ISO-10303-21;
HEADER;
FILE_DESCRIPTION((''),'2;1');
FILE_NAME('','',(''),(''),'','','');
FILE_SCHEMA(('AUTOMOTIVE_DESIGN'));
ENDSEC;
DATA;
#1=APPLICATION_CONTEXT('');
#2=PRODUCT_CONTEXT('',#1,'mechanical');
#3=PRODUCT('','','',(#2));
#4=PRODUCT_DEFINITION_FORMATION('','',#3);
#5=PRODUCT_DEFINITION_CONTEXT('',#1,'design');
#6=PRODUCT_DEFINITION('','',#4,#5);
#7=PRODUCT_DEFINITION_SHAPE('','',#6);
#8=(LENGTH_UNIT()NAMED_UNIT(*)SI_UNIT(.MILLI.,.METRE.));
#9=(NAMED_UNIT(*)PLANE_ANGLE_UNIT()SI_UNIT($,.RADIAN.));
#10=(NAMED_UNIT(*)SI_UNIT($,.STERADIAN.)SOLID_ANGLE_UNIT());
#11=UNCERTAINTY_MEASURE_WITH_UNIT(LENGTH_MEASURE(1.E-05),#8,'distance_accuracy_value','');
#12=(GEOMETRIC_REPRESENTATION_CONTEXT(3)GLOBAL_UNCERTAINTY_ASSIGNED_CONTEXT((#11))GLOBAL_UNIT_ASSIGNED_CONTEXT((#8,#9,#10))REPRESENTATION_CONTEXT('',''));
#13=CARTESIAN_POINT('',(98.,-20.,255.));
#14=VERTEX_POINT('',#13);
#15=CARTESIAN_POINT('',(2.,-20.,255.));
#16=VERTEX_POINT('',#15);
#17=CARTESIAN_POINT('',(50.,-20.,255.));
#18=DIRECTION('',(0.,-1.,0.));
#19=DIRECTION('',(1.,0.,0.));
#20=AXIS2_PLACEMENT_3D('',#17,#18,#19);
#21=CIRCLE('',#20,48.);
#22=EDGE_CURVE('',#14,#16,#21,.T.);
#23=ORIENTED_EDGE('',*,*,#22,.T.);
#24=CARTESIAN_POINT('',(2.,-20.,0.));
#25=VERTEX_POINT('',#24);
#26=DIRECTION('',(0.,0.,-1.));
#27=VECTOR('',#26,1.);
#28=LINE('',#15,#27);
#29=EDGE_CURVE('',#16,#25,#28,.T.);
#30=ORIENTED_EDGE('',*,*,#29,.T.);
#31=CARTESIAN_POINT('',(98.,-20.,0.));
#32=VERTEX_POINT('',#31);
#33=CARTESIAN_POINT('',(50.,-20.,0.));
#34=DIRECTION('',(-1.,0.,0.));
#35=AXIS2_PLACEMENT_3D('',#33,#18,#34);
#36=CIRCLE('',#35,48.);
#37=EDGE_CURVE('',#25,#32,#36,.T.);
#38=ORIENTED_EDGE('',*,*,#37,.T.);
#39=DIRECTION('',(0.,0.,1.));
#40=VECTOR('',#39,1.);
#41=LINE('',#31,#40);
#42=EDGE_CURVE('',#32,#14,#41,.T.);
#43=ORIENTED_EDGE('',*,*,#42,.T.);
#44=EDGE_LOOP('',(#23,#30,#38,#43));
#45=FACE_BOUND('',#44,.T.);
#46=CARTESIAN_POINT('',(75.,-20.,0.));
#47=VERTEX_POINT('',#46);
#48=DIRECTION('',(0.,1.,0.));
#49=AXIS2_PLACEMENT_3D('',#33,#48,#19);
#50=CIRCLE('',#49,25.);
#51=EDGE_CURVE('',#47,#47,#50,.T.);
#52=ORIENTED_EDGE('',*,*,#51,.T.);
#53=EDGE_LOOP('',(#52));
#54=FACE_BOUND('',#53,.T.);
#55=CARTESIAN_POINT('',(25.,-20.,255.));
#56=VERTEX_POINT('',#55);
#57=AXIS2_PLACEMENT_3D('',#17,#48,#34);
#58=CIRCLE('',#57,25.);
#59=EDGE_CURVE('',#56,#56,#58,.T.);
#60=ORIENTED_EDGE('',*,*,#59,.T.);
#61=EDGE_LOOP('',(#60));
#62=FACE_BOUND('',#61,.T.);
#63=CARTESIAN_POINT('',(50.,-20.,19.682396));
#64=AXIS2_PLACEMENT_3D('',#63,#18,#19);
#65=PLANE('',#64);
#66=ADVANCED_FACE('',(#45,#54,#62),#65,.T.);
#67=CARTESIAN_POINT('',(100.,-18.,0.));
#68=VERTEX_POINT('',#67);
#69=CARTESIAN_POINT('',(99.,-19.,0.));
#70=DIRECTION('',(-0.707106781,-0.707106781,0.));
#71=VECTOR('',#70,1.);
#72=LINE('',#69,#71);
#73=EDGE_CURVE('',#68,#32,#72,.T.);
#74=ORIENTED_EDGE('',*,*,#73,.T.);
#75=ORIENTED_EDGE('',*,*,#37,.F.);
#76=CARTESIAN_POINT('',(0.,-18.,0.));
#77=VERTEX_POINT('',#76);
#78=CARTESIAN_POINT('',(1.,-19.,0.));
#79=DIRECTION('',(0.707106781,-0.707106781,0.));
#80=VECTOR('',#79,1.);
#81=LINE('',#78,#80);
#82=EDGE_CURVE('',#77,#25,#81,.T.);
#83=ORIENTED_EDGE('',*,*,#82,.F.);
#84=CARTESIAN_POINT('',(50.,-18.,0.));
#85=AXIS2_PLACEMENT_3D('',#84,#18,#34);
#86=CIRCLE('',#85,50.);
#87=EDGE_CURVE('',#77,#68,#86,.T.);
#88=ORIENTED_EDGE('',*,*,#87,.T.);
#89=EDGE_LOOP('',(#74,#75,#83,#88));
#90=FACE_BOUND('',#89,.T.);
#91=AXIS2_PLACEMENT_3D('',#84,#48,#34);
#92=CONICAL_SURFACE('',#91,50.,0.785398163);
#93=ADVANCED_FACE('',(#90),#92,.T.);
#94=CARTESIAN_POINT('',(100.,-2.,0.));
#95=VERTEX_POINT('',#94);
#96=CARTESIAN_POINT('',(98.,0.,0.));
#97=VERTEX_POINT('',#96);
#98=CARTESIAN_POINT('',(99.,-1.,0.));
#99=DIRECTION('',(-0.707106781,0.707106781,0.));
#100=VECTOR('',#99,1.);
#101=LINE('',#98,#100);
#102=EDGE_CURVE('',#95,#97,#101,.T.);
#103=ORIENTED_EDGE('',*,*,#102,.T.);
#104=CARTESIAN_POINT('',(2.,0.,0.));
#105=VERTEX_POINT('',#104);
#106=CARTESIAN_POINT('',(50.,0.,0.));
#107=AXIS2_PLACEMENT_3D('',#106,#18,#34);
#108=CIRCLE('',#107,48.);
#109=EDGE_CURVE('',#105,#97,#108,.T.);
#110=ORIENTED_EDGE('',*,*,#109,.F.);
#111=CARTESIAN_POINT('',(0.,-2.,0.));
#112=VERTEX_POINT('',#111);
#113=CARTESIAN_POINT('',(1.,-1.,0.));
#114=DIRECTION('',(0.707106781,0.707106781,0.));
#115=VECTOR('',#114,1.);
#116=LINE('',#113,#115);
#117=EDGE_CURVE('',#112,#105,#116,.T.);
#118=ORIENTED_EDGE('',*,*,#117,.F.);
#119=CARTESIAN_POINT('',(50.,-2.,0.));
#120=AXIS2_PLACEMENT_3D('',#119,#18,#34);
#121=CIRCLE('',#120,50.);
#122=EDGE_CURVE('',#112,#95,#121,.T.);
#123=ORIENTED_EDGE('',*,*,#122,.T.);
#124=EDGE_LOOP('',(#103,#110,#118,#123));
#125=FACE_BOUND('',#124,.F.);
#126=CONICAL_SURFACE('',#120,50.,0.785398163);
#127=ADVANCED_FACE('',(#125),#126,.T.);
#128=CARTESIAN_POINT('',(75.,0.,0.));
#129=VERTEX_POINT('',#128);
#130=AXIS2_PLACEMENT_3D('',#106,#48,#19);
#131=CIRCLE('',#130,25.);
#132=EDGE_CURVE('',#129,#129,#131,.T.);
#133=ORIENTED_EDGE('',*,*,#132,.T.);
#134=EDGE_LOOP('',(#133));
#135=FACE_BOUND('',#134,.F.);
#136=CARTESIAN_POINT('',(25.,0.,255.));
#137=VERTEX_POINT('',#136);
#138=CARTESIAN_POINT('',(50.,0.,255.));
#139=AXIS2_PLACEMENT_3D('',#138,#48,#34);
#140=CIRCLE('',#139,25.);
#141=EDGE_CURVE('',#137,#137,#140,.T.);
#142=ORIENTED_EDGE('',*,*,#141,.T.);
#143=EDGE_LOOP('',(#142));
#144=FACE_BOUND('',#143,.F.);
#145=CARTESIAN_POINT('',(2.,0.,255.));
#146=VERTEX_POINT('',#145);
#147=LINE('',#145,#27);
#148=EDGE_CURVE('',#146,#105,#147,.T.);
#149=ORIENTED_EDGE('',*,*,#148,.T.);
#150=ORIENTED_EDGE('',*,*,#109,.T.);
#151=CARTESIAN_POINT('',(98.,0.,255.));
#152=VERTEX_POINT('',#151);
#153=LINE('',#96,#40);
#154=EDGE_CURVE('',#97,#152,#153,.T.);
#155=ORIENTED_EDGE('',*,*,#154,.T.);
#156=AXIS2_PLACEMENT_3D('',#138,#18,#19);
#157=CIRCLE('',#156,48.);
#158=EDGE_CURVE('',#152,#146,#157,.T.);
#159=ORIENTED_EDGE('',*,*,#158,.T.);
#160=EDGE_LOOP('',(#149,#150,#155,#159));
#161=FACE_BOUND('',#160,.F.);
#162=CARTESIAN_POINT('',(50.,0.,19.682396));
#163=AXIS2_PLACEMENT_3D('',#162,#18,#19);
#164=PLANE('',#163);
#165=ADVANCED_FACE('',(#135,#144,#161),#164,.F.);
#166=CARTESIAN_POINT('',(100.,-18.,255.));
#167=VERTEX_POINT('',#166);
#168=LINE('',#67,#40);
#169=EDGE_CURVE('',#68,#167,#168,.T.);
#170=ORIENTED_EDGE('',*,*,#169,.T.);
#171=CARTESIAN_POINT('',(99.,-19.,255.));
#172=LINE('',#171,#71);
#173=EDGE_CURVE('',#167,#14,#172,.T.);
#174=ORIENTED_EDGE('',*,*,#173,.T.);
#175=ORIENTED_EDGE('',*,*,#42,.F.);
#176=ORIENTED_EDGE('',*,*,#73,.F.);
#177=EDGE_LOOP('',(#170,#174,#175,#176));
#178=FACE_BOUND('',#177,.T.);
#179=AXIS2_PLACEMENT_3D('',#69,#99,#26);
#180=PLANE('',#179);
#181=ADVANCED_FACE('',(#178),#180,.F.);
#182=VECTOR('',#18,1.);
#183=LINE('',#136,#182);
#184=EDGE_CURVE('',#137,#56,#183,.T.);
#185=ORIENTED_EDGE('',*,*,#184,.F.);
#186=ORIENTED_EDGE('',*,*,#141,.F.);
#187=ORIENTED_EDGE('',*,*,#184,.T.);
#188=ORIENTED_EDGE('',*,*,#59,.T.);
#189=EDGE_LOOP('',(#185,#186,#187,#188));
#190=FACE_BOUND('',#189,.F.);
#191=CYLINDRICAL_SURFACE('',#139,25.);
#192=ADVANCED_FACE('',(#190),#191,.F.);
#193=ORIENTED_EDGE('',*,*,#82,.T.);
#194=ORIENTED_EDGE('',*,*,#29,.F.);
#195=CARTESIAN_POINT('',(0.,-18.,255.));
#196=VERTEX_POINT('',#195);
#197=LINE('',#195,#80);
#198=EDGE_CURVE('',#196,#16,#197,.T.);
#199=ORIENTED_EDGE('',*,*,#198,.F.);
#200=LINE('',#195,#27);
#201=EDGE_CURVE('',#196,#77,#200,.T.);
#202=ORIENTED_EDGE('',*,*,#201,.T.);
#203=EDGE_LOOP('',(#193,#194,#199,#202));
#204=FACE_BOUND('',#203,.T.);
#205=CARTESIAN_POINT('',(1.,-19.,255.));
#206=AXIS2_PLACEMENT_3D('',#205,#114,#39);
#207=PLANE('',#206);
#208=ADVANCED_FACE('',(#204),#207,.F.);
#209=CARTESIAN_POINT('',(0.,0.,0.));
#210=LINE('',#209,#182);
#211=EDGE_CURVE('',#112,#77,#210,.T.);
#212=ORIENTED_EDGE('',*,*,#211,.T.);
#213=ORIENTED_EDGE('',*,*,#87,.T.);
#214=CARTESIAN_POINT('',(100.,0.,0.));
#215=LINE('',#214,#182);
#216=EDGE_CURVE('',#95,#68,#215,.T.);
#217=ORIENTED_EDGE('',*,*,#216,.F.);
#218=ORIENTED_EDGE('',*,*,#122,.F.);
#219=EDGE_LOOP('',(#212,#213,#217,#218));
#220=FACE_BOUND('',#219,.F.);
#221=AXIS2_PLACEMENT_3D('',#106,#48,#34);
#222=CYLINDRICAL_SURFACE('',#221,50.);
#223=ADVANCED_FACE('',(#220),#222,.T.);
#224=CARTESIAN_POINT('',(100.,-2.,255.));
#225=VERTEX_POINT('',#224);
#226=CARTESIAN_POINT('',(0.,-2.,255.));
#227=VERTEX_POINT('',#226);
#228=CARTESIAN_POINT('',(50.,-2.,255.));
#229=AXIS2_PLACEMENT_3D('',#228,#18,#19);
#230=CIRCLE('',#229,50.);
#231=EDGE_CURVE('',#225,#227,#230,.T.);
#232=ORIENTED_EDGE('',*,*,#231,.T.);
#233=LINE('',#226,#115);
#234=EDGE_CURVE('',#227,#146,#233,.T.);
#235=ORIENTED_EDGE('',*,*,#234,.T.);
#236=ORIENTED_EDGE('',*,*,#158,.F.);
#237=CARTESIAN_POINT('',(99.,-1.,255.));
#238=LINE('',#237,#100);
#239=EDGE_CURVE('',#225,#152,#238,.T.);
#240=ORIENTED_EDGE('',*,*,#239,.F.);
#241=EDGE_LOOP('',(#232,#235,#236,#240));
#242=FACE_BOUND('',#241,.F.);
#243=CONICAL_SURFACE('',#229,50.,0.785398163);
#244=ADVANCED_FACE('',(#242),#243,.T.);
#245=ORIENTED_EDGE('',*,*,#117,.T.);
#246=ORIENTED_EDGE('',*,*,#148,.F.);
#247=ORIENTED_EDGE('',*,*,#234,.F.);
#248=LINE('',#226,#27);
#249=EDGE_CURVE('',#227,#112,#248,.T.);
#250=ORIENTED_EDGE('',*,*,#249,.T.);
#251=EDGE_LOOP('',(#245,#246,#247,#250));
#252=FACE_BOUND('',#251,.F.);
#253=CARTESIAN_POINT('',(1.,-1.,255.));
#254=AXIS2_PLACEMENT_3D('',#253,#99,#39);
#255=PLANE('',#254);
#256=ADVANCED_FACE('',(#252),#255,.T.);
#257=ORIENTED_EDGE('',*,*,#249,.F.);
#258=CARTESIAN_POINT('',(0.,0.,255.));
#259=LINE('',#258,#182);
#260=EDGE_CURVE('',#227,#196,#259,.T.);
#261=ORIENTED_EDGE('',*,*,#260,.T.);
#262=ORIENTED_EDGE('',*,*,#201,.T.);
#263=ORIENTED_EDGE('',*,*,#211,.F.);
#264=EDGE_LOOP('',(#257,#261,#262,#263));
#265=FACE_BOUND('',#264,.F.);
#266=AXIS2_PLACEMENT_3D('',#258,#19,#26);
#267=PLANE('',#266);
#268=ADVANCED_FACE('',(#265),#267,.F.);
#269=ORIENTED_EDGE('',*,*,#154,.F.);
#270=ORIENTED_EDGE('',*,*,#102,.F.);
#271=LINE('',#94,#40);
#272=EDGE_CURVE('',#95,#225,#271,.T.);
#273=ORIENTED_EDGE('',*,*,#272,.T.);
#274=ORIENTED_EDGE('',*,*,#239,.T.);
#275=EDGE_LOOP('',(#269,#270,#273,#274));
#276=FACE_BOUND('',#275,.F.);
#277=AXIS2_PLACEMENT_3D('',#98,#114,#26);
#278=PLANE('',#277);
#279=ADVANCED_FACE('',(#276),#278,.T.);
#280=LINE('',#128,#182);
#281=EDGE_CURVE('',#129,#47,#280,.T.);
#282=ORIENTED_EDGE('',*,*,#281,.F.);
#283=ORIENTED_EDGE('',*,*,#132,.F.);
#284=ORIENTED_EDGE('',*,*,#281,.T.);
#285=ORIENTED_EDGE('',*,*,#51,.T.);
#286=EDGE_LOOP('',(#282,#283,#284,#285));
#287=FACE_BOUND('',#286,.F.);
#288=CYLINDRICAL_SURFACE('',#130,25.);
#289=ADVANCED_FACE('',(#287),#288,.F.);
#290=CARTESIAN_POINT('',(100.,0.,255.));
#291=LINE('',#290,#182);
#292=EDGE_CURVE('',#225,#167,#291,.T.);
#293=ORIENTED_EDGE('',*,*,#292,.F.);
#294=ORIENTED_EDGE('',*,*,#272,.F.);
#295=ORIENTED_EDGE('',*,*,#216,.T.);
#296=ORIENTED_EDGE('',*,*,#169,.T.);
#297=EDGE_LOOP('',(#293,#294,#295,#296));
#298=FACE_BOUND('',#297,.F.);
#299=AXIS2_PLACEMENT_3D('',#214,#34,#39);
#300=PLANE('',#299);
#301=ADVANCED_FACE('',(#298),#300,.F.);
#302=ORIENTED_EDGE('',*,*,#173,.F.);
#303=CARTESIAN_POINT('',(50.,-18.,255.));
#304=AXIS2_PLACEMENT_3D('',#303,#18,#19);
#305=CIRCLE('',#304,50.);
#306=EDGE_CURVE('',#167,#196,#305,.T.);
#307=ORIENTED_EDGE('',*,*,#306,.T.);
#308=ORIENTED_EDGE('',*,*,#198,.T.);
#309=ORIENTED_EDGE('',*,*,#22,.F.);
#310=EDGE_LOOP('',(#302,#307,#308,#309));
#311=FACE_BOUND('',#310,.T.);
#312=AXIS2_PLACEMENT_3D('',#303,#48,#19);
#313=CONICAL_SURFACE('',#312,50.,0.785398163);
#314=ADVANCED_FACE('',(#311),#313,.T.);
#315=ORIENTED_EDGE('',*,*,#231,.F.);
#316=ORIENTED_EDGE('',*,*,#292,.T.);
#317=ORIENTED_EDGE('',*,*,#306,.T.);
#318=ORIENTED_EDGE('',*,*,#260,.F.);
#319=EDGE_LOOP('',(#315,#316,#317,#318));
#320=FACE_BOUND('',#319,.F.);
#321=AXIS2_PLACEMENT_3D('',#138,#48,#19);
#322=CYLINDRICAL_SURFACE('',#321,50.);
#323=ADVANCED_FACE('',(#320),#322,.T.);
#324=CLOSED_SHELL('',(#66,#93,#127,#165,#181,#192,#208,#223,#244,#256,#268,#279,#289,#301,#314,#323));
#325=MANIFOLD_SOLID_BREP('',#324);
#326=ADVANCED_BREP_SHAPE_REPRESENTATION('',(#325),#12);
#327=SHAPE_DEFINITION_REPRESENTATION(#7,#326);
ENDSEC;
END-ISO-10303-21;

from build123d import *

# Parameters (mm, degrees)
F1_DEPTH = 20
F2_SIZE2 = 2
F2_SIZE  = 2


with BuildPart() as f1:
    # F0 (on Front) → F1 (new body)
    with BuildSketch(Plane.XZ):
        with BuildLine():
            ThreePointArc((25, 0), (50, 25), (75, 0))
            Line((75, 0), (100, 0))
            ThreePointArc((100, 0), (50, 50), (0, 0))
            Line((0, 0), (25, 0))
        make_face()
        with BuildLine():
            Line((100, 0), (75, 0))
            ThreePointArc((75, 0), (50, -25), (25, 0))
            Line((25, 0), (0, 0))
            ThreePointArc((0, 0), (50, -50), (100, 0))
        make_face()
        with BuildLine():
            ThreePointArc((0, 0), (50, 50), (100, 0))
            Line((100, 0), (100, 255))
            ThreePointArc((100, 255), (50, 205), (0, 255))
            Line((0, 255), (0, 0))
        make_face()
        with BuildLine():
            ThreePointArc((0, 255), (50, 205), (100, 255))
            Line((100, 255), (75, 255))
            ThreePointArc((75, 255), (50, 230), (25, 255))
            Line((25, 255), (0, 255))
        make_face()
        with BuildLine():
            Line((75, 255), (100, 255))
            ThreePointArc((100, 255), (50, 305), (0, 255))
            Line((0, 255), (25, 255))
            ThreePointArc((25, 255), (50, 280), (75, 255))
        make_face()
    extrude(amount=F1_DEPTH)

    # F2
    f2_edges = [f1.edges().sort_by_distance(p)[0] for p in [
        (100, -20, 127.5),
        (100, 0, 127.5),
    ]]
    chamfer(f2_edges, length=F2_SIZE, length2=F2_SIZE2)


solid = f1.part
